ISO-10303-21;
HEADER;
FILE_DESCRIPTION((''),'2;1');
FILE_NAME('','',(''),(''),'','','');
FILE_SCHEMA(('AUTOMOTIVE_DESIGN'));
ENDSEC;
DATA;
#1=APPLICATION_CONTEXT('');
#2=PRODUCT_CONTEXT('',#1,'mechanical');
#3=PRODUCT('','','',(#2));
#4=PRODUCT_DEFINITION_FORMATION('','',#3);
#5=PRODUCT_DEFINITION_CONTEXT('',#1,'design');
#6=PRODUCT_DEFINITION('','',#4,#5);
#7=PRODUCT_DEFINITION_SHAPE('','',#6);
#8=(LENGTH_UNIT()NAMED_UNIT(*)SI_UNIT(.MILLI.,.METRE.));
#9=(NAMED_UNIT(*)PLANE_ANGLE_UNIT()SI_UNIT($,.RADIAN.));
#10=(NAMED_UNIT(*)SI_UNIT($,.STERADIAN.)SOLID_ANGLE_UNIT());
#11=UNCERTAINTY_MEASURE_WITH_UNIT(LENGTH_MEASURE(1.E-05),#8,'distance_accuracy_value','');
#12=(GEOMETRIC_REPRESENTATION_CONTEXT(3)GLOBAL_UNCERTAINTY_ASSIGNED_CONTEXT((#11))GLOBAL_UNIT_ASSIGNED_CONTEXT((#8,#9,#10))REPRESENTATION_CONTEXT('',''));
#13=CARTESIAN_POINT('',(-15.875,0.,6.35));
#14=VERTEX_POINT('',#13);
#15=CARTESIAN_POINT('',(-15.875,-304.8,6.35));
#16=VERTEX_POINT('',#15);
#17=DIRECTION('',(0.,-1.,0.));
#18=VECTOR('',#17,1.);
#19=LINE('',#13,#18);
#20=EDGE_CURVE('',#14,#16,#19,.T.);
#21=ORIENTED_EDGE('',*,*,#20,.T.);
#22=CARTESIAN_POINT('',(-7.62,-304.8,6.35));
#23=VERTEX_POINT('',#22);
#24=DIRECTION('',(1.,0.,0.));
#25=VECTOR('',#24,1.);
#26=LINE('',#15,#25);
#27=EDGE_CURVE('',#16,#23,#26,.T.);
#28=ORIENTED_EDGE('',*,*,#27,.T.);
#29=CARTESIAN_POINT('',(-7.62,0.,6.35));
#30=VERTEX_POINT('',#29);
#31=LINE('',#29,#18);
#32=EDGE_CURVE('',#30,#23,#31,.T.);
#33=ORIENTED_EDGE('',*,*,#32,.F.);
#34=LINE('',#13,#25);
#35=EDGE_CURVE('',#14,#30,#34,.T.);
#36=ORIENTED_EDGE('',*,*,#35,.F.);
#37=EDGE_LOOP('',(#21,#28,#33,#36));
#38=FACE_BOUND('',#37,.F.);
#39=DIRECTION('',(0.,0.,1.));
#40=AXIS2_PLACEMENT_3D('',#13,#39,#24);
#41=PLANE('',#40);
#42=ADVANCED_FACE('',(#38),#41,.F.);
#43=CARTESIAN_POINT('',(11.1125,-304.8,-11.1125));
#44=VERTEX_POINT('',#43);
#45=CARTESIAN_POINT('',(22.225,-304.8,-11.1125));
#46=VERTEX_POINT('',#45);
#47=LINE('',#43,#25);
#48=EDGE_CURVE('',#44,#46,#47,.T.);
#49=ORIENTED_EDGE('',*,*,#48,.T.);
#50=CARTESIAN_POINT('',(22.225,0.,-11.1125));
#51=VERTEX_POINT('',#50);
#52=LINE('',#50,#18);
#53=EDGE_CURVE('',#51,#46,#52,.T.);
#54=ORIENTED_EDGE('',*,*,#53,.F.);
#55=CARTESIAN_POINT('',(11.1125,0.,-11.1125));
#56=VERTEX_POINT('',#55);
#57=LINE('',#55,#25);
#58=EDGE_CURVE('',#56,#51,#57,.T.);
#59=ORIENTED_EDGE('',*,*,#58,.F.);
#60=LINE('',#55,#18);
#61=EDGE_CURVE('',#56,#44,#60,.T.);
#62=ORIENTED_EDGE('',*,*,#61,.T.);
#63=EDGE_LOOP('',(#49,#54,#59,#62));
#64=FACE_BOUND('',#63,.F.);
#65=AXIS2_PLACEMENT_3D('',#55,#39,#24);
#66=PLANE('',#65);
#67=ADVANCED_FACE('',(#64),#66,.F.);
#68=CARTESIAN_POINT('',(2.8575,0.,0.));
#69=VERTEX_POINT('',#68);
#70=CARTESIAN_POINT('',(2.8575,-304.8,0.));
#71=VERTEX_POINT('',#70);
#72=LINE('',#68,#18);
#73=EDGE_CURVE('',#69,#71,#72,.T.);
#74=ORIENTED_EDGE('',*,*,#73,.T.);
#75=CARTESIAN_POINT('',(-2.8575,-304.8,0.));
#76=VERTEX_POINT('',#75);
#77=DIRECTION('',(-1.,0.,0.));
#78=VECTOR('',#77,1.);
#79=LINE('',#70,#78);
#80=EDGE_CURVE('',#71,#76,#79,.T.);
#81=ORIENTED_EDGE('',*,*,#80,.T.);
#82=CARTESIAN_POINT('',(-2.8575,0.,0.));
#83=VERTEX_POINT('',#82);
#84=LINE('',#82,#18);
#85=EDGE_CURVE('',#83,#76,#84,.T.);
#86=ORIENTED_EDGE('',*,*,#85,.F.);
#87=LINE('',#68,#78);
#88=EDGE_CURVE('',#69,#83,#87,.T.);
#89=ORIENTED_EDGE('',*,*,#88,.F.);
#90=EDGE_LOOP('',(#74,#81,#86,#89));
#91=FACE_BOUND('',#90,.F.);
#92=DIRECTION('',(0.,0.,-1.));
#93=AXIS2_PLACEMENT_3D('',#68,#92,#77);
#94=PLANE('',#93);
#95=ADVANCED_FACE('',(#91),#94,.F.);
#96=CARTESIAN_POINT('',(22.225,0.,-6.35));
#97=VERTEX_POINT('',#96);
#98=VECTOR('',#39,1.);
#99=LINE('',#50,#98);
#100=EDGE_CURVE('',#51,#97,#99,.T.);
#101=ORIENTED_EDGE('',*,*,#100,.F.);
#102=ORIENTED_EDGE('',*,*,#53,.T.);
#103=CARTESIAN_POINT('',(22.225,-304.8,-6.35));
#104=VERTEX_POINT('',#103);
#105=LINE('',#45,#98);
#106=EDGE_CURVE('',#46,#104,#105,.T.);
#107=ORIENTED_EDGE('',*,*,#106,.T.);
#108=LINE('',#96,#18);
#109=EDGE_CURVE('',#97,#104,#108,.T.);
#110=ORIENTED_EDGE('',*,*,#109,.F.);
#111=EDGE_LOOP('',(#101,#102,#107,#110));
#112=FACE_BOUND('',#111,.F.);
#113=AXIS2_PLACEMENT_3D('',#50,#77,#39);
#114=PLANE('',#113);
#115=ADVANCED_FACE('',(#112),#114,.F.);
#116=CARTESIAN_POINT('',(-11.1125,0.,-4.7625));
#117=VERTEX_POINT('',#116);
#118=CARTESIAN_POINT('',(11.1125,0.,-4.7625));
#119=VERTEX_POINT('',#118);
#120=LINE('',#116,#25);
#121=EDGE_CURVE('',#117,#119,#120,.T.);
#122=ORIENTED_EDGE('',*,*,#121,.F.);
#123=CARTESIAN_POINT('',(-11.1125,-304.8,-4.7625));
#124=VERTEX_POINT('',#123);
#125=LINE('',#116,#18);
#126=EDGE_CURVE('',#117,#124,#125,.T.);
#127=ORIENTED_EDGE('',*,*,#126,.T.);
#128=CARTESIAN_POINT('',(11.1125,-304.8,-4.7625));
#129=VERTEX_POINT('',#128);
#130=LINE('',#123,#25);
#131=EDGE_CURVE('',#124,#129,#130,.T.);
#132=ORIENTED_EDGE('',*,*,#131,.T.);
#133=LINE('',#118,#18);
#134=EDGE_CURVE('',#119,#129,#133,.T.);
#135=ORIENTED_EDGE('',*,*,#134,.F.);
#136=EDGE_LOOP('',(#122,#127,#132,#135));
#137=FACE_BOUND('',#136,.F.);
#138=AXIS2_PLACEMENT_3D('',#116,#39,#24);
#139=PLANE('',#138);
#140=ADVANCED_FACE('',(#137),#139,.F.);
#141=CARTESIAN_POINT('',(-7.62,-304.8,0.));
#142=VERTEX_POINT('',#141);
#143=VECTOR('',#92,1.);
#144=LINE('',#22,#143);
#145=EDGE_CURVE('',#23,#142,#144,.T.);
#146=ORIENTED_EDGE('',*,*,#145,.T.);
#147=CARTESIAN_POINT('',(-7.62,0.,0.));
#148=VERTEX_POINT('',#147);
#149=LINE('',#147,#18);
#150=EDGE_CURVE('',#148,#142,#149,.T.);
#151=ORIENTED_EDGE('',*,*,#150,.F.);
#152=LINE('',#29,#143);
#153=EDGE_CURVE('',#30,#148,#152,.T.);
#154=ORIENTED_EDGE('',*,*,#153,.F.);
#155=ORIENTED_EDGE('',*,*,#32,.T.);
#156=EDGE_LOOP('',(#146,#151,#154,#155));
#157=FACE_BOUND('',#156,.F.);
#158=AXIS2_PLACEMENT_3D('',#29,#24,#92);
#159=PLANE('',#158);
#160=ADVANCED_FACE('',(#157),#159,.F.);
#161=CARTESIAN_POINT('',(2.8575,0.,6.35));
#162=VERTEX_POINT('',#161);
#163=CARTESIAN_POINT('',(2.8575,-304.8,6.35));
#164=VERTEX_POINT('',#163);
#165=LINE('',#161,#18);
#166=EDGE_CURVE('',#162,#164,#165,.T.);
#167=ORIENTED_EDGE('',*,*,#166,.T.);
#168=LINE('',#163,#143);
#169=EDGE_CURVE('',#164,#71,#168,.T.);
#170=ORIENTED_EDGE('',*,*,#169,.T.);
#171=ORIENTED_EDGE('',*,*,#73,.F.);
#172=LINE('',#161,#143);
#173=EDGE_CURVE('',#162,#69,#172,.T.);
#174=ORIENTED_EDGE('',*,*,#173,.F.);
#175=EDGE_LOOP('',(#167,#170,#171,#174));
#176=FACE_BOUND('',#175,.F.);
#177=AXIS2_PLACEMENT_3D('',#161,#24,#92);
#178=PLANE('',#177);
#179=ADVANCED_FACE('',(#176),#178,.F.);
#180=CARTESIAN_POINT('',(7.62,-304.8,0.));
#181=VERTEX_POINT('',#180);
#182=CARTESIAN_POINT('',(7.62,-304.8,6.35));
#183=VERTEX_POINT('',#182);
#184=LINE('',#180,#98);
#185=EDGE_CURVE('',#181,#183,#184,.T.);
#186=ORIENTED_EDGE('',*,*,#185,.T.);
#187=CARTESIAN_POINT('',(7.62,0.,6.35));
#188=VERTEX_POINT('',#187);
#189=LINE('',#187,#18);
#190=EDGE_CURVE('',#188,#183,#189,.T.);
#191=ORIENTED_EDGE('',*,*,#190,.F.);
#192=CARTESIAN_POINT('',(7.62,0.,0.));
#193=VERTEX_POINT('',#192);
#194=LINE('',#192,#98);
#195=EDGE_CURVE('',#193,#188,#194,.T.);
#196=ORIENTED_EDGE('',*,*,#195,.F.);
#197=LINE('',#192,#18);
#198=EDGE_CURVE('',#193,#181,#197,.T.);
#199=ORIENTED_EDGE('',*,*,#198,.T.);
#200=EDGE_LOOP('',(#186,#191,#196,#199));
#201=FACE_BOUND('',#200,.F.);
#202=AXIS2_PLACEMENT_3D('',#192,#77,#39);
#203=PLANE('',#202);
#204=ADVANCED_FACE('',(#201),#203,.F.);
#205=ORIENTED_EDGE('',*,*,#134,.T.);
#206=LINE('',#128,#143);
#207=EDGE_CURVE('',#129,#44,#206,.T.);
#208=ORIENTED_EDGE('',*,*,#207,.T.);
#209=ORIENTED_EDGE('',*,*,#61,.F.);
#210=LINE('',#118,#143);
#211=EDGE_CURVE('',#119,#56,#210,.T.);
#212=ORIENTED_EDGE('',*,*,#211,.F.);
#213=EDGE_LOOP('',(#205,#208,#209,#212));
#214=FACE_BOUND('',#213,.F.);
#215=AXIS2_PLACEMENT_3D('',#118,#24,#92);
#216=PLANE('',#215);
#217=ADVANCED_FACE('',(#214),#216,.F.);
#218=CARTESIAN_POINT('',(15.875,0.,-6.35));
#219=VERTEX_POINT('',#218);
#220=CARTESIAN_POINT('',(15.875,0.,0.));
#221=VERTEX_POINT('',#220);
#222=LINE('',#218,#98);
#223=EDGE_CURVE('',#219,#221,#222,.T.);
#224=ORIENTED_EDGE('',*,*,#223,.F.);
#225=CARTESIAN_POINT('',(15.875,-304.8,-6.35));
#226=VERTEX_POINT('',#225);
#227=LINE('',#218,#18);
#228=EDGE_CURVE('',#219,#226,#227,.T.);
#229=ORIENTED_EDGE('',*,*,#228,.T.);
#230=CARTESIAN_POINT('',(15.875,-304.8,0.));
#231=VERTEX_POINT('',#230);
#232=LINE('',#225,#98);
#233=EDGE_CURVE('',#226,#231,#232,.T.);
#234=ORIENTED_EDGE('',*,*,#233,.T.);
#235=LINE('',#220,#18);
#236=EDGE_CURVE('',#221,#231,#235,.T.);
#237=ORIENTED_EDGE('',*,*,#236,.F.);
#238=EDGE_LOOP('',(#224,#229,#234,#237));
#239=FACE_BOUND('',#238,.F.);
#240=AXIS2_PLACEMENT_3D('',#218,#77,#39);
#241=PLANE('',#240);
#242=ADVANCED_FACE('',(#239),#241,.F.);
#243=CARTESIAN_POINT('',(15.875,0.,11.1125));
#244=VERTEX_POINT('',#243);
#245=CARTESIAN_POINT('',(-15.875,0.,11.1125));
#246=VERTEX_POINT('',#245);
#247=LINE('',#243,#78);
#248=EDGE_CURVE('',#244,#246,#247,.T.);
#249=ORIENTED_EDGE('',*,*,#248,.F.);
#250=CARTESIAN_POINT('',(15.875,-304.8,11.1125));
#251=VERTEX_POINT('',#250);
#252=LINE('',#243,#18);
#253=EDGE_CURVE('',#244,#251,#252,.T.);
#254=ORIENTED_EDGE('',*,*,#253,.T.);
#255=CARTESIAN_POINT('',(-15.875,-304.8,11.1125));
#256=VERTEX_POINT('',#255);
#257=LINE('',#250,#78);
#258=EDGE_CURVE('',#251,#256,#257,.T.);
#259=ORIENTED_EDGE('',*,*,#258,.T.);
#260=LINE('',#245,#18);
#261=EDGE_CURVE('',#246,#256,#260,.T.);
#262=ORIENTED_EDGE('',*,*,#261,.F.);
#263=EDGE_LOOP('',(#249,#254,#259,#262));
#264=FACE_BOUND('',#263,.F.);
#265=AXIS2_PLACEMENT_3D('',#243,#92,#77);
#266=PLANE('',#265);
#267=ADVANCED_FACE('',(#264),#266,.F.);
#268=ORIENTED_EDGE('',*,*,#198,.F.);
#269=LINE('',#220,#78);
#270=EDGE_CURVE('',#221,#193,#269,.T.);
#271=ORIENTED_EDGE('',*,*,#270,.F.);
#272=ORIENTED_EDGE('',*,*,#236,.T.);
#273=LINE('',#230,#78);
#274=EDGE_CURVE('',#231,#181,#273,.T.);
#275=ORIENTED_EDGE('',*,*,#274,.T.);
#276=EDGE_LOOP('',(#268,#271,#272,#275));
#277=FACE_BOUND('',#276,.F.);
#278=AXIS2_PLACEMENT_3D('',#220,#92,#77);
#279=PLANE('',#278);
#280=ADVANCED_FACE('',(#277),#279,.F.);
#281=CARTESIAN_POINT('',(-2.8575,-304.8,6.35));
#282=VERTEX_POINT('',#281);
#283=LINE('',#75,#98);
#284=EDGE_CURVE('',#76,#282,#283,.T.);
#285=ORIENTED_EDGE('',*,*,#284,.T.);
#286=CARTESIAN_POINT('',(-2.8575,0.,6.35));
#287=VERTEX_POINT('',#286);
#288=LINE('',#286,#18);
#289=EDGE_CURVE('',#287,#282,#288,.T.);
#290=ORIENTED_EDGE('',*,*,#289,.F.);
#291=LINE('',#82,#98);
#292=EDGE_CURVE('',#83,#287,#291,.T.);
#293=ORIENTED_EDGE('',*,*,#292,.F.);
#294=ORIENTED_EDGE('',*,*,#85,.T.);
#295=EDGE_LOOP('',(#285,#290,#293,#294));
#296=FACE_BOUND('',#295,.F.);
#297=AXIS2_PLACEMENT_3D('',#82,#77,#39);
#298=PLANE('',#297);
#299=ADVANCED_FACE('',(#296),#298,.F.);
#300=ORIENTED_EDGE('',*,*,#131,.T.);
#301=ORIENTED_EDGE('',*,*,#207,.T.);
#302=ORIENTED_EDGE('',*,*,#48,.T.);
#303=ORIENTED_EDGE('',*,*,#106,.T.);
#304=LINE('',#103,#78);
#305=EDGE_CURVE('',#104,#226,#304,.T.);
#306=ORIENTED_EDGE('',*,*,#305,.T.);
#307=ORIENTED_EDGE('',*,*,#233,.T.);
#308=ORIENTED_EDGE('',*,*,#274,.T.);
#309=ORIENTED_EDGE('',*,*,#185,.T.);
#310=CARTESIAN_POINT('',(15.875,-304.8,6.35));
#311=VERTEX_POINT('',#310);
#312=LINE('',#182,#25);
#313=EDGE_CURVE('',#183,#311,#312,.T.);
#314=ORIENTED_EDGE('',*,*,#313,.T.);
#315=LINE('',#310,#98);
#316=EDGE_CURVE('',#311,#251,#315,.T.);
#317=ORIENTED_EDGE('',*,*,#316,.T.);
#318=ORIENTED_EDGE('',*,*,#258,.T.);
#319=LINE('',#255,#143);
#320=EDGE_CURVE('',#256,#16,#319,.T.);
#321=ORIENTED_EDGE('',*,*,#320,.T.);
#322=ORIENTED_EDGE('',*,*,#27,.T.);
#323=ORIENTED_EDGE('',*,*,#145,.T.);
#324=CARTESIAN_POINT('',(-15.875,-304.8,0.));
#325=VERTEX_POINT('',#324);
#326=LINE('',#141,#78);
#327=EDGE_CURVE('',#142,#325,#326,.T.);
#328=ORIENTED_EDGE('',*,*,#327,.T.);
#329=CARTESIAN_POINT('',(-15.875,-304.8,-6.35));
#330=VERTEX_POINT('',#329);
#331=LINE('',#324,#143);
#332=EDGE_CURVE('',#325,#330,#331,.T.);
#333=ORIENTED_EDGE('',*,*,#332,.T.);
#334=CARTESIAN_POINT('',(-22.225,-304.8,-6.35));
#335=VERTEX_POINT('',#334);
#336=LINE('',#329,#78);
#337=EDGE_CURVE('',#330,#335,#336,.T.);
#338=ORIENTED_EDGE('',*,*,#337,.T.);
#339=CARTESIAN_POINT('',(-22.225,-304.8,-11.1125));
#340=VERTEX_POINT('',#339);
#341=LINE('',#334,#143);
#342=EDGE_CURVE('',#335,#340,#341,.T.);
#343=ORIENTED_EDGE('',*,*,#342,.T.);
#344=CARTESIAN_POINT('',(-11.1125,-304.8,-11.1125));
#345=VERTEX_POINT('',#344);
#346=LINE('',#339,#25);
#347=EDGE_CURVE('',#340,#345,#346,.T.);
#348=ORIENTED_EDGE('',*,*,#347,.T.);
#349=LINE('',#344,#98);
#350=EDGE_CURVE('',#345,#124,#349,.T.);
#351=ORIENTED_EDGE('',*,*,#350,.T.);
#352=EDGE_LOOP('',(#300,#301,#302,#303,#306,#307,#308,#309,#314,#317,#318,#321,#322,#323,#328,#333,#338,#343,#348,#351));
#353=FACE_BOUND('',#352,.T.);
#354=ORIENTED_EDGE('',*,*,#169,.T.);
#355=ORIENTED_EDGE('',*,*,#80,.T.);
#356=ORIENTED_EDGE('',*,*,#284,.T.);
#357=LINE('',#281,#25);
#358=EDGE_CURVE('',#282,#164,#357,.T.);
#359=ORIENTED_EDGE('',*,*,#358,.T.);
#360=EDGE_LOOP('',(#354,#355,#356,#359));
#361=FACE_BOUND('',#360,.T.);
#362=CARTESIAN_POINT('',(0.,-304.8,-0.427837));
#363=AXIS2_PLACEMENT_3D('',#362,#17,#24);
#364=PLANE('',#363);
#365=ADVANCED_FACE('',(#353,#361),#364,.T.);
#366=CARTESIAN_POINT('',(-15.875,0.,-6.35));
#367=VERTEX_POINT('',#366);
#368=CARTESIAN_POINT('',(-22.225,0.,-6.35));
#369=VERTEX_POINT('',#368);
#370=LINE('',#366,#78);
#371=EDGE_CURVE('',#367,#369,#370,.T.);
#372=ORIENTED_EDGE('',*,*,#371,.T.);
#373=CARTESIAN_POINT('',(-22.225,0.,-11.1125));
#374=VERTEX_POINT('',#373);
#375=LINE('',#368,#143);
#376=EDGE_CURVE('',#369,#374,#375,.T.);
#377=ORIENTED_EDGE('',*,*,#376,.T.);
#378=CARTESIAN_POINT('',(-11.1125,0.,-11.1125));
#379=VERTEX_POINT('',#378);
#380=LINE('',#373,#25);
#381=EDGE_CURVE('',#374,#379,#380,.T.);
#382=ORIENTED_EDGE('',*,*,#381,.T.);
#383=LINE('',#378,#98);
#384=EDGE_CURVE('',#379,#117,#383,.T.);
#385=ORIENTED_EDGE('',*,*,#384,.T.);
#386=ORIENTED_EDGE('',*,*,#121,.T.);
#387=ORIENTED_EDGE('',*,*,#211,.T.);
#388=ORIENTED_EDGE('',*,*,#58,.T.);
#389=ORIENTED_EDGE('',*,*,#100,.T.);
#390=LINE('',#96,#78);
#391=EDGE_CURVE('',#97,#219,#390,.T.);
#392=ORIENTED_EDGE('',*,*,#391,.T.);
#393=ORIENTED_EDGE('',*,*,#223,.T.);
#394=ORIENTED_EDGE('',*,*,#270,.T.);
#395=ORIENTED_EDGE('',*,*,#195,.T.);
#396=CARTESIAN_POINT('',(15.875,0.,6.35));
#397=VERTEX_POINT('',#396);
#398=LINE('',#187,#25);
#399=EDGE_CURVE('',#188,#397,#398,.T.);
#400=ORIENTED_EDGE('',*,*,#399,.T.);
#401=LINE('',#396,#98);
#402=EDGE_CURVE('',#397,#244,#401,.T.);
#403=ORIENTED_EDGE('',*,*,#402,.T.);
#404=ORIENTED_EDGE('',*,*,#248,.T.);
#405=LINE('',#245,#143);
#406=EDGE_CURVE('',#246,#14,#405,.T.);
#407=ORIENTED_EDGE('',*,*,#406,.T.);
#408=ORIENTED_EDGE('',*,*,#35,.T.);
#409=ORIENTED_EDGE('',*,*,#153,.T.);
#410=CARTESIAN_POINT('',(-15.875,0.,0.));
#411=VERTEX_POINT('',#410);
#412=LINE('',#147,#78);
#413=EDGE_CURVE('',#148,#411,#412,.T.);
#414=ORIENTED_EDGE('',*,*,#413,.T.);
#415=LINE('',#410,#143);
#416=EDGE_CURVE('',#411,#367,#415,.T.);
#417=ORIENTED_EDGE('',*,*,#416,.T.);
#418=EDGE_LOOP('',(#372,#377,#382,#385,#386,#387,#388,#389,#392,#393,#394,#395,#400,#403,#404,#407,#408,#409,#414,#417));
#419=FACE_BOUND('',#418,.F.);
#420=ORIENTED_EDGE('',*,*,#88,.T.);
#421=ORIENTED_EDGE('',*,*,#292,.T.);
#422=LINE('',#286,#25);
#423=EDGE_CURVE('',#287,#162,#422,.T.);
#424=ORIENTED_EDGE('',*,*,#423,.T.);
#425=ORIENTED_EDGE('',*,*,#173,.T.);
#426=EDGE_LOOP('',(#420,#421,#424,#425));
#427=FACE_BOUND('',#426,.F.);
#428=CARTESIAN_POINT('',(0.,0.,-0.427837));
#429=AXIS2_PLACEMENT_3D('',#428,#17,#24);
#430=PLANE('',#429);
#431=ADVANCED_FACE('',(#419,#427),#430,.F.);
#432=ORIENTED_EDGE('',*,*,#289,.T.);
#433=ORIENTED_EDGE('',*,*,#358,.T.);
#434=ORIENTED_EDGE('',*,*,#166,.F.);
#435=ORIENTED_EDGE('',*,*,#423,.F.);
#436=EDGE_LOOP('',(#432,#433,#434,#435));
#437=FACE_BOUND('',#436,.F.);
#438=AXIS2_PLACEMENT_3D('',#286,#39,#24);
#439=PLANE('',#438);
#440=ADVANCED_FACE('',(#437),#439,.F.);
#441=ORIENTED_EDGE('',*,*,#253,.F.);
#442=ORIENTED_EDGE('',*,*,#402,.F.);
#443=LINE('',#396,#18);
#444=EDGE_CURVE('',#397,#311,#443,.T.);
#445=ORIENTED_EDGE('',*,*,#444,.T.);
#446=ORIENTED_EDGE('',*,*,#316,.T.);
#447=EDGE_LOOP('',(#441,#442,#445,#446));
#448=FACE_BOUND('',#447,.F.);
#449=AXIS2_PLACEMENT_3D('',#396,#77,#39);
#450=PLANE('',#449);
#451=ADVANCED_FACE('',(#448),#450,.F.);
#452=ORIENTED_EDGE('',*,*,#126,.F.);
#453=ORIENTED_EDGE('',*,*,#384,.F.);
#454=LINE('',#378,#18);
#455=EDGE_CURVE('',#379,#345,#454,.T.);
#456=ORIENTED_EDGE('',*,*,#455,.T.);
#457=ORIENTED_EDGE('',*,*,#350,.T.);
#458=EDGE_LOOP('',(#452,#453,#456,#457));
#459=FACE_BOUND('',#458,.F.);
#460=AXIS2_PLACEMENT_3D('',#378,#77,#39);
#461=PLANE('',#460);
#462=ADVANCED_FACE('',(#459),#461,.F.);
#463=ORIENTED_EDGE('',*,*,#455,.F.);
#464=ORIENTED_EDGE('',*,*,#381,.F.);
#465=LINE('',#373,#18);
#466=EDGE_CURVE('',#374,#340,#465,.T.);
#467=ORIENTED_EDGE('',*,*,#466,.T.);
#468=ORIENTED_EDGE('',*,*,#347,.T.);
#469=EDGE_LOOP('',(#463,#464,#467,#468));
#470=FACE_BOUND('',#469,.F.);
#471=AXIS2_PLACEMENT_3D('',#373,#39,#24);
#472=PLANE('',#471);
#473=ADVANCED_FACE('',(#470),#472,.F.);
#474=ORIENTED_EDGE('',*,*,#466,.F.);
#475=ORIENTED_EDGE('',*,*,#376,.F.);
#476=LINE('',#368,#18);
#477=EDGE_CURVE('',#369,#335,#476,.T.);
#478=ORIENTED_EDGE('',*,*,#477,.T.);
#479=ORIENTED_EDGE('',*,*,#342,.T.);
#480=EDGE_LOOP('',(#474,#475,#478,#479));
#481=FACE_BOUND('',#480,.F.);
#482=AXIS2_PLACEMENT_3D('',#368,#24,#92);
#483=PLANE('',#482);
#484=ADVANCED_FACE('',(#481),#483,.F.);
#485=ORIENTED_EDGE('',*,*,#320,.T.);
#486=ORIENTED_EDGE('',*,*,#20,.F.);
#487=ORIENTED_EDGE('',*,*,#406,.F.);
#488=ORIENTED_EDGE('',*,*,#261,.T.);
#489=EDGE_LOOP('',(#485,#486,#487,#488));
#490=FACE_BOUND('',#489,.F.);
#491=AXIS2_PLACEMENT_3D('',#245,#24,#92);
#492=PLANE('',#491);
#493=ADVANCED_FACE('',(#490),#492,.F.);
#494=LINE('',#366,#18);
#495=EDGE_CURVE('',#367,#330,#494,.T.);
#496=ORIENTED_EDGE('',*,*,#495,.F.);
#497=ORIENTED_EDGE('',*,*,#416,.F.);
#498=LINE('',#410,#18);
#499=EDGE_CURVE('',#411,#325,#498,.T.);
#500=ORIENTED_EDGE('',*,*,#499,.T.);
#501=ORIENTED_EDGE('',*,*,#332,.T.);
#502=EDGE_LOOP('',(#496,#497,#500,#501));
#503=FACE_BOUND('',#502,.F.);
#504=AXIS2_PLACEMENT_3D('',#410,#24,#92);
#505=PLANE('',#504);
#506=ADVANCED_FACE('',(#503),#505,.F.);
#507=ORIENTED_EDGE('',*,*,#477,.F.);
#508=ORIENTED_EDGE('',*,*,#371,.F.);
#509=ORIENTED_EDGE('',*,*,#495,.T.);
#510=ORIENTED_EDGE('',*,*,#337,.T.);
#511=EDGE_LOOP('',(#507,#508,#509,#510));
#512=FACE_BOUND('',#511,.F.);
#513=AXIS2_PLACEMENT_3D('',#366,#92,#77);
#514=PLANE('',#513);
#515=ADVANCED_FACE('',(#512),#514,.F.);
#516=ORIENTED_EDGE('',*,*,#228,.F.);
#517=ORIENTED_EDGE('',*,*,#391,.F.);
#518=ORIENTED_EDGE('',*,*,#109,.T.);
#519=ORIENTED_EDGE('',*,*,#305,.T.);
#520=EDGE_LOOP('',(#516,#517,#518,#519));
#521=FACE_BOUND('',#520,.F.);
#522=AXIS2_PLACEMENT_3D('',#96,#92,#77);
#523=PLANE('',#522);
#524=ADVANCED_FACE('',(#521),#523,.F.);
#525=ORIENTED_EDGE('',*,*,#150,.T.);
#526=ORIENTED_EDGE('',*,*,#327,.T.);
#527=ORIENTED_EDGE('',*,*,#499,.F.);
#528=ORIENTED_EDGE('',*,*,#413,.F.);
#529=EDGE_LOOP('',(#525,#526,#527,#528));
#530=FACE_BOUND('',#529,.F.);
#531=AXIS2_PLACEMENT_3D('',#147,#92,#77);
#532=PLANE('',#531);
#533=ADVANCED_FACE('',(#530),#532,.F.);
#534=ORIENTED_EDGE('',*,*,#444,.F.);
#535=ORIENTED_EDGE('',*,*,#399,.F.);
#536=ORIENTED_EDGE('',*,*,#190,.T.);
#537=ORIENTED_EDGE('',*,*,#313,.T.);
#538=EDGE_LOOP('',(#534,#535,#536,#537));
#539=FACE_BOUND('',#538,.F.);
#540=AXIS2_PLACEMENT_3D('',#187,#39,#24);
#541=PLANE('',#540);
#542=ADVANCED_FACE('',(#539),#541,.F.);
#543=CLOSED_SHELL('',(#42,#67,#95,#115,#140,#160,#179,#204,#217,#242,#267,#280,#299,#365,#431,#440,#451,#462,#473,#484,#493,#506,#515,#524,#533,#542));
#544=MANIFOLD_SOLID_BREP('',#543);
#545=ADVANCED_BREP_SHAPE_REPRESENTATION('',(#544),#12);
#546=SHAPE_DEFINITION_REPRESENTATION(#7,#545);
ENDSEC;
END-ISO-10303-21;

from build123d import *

# Parameters (mm, degrees)
F1_DEPTH = 304.8


with BuildPart() as f1:
    # F0 (on Front) → F1 (new body)
    with BuildSketch(Plane.XZ):
        Polygon((-15.875, -6.35), (-22.225, -6.35), (-22.225, -11.1125), (-11.1125, -11.1125), (-11.1125, -4.7625), (0, -4.7625), (11.1125, -4.7625), (11.1125, -11.1125), (22.225, -11.1125), (22.225, -6.35), (15.875, -6.35), (15.875, 0), (7.62, 0), (7.62, 6.35), (15.875, 6.35), (15.875, 11.1125), (0, 11.1125), (-15.875, 11.1125), (-15.875, 6.35), (-7.62, 6.35), (-7.62, 0), (-15.875, 0), align=None)
        Polygon((0, 0), (-2.8575, 0), (-2.8575, 6.35), (0, 6.35), (2.8575, 6.35), (2.8575, 0), align=None, mode=Mode.SUBTRACT)
    extrude(amount=F1_DEPTH)


solid = f1.part
